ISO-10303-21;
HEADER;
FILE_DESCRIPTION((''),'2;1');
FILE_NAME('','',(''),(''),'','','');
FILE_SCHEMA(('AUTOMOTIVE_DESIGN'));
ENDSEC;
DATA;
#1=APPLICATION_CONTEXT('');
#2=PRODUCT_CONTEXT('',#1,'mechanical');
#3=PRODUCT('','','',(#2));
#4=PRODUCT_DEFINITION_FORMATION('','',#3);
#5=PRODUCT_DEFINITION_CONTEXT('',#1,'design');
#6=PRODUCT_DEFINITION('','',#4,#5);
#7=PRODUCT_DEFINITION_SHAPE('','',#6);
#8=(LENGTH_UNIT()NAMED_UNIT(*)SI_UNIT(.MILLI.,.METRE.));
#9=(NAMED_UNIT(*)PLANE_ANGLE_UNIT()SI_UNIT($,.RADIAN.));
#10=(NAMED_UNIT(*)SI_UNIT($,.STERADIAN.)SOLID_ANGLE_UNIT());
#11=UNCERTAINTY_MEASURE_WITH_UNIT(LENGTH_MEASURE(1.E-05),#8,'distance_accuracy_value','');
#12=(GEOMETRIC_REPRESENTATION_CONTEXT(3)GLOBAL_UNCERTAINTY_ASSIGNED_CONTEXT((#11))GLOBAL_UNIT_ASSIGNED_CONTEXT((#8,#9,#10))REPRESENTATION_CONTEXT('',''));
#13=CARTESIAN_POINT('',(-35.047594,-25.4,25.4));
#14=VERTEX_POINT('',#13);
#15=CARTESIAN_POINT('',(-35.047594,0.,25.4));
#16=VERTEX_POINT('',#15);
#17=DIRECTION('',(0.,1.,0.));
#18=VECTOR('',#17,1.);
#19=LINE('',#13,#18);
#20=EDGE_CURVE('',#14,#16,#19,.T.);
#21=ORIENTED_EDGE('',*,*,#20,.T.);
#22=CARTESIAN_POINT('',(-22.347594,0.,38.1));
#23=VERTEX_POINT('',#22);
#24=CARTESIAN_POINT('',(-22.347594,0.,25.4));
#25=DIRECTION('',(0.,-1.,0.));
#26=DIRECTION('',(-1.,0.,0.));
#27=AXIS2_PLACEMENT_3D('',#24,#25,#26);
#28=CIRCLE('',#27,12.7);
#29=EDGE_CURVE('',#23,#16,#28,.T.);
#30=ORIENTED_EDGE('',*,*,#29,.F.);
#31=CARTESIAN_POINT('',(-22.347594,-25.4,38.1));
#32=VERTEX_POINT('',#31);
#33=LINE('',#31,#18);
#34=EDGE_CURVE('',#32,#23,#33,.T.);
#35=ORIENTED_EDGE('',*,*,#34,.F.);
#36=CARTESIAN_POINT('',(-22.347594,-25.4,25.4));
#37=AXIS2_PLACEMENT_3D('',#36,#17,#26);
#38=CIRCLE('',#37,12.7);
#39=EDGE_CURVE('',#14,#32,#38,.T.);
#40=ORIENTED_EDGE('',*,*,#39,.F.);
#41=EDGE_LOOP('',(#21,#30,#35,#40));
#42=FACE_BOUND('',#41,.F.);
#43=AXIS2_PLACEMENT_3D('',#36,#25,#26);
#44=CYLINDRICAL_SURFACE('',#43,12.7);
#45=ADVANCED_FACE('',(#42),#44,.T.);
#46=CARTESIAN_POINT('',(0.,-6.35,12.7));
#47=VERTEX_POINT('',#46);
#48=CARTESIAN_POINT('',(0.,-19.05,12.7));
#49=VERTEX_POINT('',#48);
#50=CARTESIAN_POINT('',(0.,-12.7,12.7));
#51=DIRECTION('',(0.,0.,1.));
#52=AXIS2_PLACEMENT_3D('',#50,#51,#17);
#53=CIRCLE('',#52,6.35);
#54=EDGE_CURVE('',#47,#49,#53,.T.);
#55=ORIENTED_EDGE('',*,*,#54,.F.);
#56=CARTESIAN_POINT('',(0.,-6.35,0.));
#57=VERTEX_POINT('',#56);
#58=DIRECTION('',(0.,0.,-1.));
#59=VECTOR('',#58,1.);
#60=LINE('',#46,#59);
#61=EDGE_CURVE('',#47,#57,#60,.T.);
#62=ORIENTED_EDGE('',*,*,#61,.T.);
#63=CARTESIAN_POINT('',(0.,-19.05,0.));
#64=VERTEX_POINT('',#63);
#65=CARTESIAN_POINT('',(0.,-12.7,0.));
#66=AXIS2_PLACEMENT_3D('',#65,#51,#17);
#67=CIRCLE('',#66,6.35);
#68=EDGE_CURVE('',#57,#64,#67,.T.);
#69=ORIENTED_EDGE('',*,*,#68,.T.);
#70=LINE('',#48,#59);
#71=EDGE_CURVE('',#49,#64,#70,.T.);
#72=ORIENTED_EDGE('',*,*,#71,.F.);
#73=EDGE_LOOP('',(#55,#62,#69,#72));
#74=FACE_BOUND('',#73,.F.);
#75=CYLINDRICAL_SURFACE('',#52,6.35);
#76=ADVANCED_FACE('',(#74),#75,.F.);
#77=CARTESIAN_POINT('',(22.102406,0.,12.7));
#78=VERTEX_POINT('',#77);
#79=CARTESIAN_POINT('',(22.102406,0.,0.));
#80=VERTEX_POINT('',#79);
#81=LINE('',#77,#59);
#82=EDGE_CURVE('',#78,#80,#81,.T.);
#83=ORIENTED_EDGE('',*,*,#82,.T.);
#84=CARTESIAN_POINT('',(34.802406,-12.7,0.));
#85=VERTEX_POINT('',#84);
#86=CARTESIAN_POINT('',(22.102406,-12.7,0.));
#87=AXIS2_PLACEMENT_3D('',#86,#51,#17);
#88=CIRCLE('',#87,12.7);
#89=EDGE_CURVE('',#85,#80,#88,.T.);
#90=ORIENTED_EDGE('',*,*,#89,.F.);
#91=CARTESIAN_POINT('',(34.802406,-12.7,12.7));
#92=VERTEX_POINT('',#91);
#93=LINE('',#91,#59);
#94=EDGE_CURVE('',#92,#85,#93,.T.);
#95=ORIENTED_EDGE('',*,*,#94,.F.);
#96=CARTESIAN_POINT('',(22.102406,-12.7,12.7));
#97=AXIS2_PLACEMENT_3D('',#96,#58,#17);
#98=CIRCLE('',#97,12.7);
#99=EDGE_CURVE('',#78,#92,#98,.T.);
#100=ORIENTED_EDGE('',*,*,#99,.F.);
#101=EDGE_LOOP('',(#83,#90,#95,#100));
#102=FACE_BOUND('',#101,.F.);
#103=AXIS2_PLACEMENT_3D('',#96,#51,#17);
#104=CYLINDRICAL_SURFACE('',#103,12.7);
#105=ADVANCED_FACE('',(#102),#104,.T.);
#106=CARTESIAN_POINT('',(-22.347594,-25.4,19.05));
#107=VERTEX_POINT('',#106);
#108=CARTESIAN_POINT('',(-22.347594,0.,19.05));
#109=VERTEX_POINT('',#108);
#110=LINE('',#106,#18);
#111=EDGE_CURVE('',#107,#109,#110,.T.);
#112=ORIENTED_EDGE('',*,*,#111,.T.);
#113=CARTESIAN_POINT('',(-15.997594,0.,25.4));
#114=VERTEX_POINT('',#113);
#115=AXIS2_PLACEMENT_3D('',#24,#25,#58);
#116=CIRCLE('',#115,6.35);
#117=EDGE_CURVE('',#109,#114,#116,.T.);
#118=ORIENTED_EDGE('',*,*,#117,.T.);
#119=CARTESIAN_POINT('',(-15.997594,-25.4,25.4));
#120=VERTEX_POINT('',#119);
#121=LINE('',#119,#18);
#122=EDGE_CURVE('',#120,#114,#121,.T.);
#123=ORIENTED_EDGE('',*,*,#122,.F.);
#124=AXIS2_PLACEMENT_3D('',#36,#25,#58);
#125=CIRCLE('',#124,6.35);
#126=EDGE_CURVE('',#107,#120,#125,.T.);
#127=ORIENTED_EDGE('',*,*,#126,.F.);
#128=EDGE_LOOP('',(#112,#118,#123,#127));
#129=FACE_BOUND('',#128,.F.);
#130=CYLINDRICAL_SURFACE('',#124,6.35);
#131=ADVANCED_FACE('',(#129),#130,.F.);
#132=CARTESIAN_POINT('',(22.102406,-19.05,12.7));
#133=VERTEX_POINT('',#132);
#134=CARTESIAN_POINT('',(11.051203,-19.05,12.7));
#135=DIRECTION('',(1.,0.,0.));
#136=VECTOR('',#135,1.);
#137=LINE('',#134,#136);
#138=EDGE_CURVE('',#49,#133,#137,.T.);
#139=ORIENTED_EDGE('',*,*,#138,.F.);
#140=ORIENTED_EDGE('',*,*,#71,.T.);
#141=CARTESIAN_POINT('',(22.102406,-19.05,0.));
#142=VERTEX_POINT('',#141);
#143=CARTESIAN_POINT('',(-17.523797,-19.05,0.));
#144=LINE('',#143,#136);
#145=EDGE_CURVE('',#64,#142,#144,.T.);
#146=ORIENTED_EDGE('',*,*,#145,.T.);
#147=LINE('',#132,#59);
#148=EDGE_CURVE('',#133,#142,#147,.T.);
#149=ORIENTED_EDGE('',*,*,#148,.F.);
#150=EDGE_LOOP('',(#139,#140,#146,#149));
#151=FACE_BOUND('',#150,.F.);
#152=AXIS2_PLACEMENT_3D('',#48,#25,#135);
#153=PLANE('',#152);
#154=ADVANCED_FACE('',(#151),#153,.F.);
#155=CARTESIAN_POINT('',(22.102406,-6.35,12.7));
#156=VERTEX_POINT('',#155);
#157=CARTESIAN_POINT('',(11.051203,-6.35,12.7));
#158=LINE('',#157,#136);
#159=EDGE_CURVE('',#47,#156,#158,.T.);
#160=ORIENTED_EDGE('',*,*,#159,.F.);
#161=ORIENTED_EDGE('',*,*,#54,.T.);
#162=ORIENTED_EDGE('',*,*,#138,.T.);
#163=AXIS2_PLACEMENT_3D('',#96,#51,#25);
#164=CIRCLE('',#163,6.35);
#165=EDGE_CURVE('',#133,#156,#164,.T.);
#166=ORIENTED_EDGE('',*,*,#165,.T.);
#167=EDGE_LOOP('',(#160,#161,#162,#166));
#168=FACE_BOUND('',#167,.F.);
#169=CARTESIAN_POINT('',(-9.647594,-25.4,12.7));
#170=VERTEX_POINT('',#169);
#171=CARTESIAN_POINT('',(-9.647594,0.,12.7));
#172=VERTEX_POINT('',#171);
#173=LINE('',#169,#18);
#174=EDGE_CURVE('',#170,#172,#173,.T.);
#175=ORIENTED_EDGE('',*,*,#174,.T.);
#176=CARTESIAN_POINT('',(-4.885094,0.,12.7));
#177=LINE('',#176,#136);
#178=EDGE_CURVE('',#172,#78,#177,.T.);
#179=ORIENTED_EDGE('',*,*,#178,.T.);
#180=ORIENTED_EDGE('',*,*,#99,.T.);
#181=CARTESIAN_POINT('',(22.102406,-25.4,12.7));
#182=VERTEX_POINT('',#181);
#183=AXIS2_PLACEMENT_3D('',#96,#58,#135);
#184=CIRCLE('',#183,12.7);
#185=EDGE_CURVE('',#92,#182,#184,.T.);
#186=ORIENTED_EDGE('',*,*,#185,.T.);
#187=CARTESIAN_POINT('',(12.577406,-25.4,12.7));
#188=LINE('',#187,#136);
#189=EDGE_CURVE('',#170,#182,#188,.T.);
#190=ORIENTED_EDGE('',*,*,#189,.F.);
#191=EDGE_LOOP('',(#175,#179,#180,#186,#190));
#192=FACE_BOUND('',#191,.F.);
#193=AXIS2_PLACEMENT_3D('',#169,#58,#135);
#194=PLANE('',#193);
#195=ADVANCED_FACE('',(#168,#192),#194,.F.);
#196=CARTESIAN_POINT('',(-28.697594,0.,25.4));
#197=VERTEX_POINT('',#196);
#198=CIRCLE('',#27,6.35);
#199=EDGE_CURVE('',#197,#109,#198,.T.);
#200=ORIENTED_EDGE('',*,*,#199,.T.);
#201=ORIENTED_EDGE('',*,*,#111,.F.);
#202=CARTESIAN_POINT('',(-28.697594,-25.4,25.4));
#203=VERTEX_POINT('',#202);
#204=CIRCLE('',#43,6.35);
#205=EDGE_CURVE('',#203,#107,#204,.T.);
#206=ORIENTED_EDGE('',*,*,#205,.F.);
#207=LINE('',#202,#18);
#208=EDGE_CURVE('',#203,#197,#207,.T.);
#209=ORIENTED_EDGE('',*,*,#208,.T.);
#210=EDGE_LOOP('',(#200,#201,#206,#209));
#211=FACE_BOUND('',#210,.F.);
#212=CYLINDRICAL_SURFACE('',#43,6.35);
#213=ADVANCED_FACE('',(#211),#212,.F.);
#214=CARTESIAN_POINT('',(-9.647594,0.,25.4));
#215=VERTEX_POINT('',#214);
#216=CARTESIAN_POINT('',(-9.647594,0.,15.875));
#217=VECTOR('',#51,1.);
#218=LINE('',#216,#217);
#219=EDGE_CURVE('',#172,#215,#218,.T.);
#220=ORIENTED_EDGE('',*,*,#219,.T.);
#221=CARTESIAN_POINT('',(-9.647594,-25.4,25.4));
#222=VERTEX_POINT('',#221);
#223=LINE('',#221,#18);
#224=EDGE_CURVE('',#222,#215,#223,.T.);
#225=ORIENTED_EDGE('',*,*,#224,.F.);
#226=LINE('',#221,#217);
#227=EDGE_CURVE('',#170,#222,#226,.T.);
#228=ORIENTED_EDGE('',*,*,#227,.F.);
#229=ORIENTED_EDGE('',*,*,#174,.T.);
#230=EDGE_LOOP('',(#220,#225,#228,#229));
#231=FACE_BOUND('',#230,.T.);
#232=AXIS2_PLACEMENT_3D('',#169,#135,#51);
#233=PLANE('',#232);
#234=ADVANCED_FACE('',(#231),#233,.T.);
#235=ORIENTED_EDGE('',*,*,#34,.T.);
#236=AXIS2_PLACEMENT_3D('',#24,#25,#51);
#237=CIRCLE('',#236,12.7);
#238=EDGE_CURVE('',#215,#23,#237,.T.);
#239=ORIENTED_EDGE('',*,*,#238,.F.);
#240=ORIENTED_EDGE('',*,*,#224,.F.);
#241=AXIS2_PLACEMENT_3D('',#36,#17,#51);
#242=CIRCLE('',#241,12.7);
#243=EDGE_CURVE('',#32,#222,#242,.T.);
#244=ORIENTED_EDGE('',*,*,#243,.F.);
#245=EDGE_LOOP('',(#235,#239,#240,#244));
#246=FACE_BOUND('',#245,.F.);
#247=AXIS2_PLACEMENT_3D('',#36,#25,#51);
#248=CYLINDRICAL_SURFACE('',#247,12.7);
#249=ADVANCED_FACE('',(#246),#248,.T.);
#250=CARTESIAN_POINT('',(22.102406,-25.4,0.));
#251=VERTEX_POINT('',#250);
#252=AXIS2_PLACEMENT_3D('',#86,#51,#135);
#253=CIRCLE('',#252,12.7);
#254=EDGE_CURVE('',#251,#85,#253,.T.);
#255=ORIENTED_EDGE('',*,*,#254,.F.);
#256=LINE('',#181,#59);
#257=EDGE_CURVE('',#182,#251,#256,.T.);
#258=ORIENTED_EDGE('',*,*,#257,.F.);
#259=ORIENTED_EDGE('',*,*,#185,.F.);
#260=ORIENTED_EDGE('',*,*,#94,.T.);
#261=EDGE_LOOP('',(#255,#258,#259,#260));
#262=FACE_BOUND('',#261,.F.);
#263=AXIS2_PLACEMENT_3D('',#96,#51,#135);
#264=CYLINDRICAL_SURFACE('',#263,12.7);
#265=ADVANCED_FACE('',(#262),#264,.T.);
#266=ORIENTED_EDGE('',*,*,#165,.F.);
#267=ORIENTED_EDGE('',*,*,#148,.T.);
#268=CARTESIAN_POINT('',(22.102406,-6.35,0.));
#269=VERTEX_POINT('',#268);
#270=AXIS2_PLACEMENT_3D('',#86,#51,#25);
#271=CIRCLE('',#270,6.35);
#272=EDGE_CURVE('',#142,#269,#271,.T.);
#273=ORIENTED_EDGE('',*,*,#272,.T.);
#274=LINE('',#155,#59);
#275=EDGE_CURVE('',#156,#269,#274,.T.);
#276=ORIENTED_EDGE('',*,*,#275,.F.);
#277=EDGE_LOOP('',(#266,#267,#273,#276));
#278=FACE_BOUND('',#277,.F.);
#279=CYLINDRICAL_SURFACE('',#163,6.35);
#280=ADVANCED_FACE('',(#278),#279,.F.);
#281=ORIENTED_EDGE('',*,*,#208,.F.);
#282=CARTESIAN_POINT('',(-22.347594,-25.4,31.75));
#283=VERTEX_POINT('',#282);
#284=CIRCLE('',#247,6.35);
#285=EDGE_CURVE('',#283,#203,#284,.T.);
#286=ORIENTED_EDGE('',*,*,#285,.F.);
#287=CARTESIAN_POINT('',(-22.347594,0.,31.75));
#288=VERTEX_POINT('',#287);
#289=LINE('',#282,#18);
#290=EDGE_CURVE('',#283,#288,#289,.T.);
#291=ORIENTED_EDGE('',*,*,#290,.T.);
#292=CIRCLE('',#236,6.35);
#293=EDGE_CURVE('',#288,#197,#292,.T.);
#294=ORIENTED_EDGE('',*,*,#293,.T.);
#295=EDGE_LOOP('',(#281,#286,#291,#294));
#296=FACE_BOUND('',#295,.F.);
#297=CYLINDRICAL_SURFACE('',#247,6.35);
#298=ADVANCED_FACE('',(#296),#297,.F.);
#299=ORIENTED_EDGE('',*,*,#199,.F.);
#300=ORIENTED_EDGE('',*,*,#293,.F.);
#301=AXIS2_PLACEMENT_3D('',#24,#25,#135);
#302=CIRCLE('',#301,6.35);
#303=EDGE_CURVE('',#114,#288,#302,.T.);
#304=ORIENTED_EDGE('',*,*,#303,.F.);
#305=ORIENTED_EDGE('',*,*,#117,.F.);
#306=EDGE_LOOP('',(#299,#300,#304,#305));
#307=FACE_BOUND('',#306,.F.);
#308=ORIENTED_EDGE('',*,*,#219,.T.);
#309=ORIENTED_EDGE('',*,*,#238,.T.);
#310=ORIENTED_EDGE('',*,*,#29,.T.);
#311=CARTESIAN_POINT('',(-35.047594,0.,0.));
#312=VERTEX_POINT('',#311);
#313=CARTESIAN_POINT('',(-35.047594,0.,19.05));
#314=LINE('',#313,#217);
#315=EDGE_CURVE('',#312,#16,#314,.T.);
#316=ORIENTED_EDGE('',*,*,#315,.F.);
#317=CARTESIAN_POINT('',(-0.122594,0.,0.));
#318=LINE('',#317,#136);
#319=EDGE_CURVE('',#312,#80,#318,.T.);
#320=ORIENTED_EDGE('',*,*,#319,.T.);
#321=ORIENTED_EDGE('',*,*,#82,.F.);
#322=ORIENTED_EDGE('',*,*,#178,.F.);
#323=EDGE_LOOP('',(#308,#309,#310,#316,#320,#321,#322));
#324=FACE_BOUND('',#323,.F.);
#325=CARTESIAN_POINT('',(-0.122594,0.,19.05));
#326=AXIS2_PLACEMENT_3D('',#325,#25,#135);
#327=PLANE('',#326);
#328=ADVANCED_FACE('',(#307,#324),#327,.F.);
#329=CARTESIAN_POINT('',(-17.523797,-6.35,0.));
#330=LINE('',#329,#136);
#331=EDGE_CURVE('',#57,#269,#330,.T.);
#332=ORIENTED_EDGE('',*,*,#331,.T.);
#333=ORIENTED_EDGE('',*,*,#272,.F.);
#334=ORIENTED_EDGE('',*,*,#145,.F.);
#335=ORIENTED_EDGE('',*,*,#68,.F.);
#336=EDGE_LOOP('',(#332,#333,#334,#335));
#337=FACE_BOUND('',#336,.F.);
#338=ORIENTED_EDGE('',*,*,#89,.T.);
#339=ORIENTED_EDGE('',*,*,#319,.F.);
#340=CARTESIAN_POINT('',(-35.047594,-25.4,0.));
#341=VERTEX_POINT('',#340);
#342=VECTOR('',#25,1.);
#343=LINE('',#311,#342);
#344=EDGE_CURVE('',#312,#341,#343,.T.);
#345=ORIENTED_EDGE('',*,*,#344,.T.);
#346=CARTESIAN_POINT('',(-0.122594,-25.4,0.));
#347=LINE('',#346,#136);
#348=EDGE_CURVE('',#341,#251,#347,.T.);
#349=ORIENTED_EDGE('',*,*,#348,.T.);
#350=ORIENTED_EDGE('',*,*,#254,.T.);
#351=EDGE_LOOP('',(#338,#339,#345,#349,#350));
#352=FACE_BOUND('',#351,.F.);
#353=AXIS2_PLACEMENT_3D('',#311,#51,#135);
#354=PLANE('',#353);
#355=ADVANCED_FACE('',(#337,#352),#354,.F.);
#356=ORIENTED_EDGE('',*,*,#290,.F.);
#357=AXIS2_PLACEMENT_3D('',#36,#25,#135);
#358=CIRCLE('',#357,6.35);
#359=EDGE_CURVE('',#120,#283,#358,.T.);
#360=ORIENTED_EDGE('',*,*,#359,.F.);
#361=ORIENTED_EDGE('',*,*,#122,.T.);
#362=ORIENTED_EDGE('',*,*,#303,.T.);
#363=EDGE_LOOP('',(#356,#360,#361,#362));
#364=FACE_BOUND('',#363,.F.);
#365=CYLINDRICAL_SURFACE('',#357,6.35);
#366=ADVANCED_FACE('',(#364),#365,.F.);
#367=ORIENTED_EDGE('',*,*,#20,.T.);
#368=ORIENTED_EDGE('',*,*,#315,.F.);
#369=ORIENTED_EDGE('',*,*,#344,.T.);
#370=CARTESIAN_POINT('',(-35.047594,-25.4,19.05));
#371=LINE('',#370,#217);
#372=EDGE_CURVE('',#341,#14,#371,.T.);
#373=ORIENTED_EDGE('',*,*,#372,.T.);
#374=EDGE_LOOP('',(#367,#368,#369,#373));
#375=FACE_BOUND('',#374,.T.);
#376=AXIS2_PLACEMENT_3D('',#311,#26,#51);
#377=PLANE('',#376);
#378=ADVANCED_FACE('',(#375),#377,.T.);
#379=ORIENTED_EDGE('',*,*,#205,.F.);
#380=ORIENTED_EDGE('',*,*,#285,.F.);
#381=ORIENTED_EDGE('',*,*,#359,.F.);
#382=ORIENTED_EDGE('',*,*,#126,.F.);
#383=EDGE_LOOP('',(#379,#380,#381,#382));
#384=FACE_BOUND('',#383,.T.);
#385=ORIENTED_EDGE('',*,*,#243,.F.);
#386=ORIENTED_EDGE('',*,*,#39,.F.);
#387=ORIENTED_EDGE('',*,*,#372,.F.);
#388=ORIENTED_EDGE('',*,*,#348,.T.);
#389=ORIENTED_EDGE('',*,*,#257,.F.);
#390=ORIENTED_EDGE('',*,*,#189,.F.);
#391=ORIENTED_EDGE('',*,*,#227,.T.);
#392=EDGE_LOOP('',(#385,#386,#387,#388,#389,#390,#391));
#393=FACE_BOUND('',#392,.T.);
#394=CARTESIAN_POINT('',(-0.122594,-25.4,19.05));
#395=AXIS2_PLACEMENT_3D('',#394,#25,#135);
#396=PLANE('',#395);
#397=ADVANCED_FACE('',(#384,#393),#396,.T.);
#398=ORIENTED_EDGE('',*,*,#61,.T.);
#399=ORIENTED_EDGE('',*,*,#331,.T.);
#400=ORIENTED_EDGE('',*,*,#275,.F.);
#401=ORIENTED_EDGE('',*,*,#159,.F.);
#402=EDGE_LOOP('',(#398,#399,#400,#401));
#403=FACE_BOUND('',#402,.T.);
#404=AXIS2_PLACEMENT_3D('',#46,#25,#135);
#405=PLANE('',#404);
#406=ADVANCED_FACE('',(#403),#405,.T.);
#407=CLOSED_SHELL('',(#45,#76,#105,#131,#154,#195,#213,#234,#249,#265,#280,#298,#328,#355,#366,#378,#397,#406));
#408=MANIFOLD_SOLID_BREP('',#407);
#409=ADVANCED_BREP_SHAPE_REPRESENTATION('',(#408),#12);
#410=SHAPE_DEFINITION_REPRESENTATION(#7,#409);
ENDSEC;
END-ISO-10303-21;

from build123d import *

# Parameters (mm, degrees)
F0_W      = 69.85
F0_H      = 38.1
F1_DEPTH  = 25.4
F2_W      = 44.45
F2_H      = 25.4
F3_DEPTH  = 25.401
F5_DEPTH  = 25.401
F7_DEPTH  = 25.401
F9_DEPTH  = 12.701
F10_W     = 22.1024058417
F10_H     = 12.7
F11_DEPTH = 25.4
F13_DEPTH = 12.701


with BuildPart() as f1:
    # F0 (on Front) → F1 (new body)
    with BuildSketch(Plane.XZ):
        with Locations((-0.1225941583, 19.05)):
            Rectangle(F0_W, F0_H)
    extrude(amount=F1_DEPTH)

    # F2 (on face) → F3 (cut, through all)
    with BuildSketch(Plane.XZ.offset(25.4)):
        with Locations((12.5774058417, 25.4)):
            Rectangle(F2_W, F2_H)
    extrude(amount=-F3_DEPTH, mode=Mode.SUBTRACT)

    # F4 (on face) → F5 (cut, through all)
    with BuildSketch(Plane.XZ.offset(25.4)):
        with BuildLine():
            Line((-9.6475941583, 38.1), (-22.3475941583, 38.1))
            ThreePointArc((-22.3475941583, 38.1), (-13.3673380372, 34.3802561211), (-9.6475941583, 25.4))
            Line((-9.6475941583, 25.4), (-9.6475941583, 38.1))
        make_face()
        with BuildLine():
            Line((-22.3475941583, 38.1), (-35.0475941583, 38.1))
            Line((-35.0475941583, 38.1), (-35.0475941583, 25.4))
            ThreePointArc((-35.0475941583, 25.4), (-31.3278502794, 34.3802561211), (-22.3475941583, 38.1))
        make_face()
    extrude(amount=-F5_DEPTH, mode=Mode.SUBTRACT)

    # F6 (on face) → F7 (cut, through all)
    with BuildSketch(Plane.XZ.offset(25.4)):
        with BuildLine():
            ThreePointArc((-22.3475941583, 31.75), (-26.8377222188, 29.8901280605), (-28.6975941583, 25.4))
            Line((-28.6975941583, 25.4), (-22.3475941583, 25.4))
            Line((-22.3475941583, 25.4), (-22.3475941583, 31.75))
        make_face()
        with BuildLine():
            Line((-22.3475941583, 31.75), (-22.3475941583, 25.4))
            Line((-22.3475941583, 25.4), (-15.9975941583, 25.4))
            ThreePointArc((-15.9975941583, 25.4), (-17.8574660977, 29.8901280605), (-22.3475941583, 31.75))
        make_face()
        with BuildLine():
            Line((-15.9975941583, 25.4), (-22.3475941583, 25.4))
            Line((-22.3475941583, 25.4), (-22.3475941583, 19.05))
            ThreePointArc((-22.3475941583, 19.05), (-17.8574660977, 20.9098719395), (-15.9975941583, 25.4))
        make_face()
        with BuildLine():
            Line((-22.3475941583, 25.4), (-28.6975941583, 25.4))
            ThreePointArc((-28.6975941583, 25.4), (-26.8377222188, 20.9098719395), (-22.3475941583, 19.05))
            Line((-22.3475941583, 19.05), (-22.3475941583, 25.4))
        make_face()
    extrude(amount=-F7_DEPTH, mode=Mode.SUBTRACT)

    # F8 (on face) → F9 (cut, through all)
    with BuildSketch(Plane.XY.offset(12.7)):
        with BuildLine():
            Line((28.4524058417, 0), (22.1024058417, 0))
            ThreePointArc((22.1024058417, 0), (31.0826619628, -3.7197438789), (34.8024058417, -12.7))
            Line((34.8024058417, -12.7), (34.8024058417, 0))
            Line((34.8024058417, 0), (28.4524058417, 0))
        make_face()
        with BuildLine():
            ThreePointArc((34.8024058417, -12.7), (31.0826619628, -21.6802561211), (22.1024058417, -25.4))
            Line((22.1024058417, -25.4), (28.4524058417, -25.4))
            Line((28.4524058417, -25.4), (34.8024058417, -25.4))
            Line((34.8024058417, -25.4), (34.8024058417, -12.7))
        make_face()
    extrude(amount=-F9_DEPTH, mode=Mode.SUBTRACT)

    # F10 (on face) → F11 (cut)
    with BuildSketch(Plane.XY.offset(12.7)):
        with Locations((11.0512029209, -12.7)):
            Rectangle(F10_W, F10_H)
    extrude(amount=-F11_DEPTH, mode=Mode.SUBTRACT)

    # F12 (on face) → F13 (cut, through all)
    with BuildSketch(Plane.XY.offset(12.7)):
        with BuildLine():
            ThreePointArc((0, -6.35), (-6.35, -12.7), (0, -19.05))
            Line((0, -19.05), (0, -6.35))
        make_face()
        with BuildLine():
            Line((22.1024058417, -6.35), (22.1024058417, -19.05))
            ThreePointArc((22.1024058417, -19.05), (28.4524058417, -12.7), (22.1024058417, -6.35))
        make_face()
    extrude(amount=-F13_DEPTH, mode=Mode.SUBTRACT)


solid = f1.part
